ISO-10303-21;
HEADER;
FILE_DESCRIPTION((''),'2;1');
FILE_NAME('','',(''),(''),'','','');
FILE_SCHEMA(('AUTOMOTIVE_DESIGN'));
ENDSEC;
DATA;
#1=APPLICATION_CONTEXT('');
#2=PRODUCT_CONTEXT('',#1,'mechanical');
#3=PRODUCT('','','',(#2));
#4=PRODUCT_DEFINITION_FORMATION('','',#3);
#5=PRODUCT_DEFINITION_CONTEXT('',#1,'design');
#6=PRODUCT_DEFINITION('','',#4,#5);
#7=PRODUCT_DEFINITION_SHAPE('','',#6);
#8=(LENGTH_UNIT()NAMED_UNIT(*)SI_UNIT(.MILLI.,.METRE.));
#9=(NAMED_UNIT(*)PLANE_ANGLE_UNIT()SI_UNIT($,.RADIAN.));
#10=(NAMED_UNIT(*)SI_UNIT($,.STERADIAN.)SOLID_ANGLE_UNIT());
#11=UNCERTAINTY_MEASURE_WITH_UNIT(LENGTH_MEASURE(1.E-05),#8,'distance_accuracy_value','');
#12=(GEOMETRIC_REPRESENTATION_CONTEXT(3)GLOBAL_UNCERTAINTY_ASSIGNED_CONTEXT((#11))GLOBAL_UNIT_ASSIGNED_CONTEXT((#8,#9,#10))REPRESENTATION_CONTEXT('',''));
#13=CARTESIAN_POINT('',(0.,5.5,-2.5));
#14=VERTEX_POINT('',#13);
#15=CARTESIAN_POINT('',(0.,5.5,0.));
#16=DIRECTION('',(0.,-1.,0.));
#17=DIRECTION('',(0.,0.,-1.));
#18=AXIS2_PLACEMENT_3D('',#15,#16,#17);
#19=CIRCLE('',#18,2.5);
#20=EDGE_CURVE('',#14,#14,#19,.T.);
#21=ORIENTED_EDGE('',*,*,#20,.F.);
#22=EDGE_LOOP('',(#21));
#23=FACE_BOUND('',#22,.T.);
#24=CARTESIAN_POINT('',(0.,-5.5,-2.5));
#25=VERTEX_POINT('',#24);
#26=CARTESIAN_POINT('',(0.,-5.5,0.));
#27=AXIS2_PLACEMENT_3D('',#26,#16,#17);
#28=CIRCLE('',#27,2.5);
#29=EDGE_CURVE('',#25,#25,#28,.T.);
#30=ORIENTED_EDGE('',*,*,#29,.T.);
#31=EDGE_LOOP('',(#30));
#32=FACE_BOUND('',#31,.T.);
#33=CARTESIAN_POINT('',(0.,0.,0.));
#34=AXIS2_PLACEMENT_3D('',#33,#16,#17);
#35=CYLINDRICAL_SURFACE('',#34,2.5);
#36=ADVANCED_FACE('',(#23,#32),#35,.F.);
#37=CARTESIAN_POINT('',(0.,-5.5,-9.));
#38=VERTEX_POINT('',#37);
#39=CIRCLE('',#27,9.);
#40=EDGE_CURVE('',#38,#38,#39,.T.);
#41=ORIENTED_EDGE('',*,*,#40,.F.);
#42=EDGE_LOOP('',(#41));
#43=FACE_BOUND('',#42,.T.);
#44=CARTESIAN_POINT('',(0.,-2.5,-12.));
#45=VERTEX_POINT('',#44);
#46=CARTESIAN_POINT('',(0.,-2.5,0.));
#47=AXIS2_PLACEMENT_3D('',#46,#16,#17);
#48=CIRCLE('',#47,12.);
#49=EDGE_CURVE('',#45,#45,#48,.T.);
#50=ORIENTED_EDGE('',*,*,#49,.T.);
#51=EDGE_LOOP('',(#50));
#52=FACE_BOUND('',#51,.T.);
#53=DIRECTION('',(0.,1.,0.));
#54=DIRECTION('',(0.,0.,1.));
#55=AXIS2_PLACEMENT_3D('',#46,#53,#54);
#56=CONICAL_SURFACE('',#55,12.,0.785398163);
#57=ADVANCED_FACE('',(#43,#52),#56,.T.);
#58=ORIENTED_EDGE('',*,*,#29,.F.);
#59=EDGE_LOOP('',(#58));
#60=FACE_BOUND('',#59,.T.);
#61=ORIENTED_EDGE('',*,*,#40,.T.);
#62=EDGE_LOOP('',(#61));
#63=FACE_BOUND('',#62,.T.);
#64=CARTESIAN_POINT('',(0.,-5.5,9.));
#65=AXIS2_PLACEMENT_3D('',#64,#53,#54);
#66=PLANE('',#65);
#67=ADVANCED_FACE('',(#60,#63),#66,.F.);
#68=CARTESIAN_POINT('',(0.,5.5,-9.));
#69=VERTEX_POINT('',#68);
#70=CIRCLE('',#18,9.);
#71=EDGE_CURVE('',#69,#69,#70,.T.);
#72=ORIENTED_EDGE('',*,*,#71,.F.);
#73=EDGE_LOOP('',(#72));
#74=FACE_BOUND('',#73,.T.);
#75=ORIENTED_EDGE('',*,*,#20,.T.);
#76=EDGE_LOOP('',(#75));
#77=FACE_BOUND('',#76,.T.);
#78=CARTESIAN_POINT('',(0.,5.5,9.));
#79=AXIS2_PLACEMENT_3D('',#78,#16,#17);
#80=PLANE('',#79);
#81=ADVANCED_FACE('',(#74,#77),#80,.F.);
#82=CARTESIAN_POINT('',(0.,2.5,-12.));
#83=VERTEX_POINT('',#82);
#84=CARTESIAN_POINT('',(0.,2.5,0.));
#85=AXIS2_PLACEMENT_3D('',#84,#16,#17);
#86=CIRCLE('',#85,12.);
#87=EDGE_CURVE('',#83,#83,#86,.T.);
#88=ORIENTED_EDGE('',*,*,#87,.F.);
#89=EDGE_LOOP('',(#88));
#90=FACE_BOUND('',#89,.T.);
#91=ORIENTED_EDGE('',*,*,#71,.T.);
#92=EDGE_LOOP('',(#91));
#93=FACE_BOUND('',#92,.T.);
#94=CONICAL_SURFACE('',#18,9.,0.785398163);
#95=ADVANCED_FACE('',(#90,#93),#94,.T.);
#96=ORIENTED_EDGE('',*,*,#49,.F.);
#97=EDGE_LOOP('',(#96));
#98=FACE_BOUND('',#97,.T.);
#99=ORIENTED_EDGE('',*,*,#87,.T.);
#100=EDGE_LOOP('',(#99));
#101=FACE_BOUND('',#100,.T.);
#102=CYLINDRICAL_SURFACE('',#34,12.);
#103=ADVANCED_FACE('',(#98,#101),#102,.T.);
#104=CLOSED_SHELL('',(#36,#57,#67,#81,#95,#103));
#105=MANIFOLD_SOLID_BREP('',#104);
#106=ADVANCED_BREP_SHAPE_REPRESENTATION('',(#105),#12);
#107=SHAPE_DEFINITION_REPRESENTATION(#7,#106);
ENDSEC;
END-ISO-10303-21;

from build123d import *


with BuildPart() as part:
    # Sketch1 → Revolve1 (revolve)
    with BuildSketch(Plane(origin=(0, 0, 0), x_dir=(0, 0, -1), z_dir=(1, 0, 0)), mode=Mode.PRIVATE) as revolve1_sk:
        Polygon((-12, -2.5), (-12, 2.5), (-9, 5.5), (-2.5, 5.5), (-2.5, -5.5), (-9, -5.5), align=None)
    revolve(revolve1_sk.sketch.rotate(Axis((0, 0, 0), (0, 1, 0)), 180), axis=Axis((0, 0, 0), (0, 1, 0)))


solid = part.part
